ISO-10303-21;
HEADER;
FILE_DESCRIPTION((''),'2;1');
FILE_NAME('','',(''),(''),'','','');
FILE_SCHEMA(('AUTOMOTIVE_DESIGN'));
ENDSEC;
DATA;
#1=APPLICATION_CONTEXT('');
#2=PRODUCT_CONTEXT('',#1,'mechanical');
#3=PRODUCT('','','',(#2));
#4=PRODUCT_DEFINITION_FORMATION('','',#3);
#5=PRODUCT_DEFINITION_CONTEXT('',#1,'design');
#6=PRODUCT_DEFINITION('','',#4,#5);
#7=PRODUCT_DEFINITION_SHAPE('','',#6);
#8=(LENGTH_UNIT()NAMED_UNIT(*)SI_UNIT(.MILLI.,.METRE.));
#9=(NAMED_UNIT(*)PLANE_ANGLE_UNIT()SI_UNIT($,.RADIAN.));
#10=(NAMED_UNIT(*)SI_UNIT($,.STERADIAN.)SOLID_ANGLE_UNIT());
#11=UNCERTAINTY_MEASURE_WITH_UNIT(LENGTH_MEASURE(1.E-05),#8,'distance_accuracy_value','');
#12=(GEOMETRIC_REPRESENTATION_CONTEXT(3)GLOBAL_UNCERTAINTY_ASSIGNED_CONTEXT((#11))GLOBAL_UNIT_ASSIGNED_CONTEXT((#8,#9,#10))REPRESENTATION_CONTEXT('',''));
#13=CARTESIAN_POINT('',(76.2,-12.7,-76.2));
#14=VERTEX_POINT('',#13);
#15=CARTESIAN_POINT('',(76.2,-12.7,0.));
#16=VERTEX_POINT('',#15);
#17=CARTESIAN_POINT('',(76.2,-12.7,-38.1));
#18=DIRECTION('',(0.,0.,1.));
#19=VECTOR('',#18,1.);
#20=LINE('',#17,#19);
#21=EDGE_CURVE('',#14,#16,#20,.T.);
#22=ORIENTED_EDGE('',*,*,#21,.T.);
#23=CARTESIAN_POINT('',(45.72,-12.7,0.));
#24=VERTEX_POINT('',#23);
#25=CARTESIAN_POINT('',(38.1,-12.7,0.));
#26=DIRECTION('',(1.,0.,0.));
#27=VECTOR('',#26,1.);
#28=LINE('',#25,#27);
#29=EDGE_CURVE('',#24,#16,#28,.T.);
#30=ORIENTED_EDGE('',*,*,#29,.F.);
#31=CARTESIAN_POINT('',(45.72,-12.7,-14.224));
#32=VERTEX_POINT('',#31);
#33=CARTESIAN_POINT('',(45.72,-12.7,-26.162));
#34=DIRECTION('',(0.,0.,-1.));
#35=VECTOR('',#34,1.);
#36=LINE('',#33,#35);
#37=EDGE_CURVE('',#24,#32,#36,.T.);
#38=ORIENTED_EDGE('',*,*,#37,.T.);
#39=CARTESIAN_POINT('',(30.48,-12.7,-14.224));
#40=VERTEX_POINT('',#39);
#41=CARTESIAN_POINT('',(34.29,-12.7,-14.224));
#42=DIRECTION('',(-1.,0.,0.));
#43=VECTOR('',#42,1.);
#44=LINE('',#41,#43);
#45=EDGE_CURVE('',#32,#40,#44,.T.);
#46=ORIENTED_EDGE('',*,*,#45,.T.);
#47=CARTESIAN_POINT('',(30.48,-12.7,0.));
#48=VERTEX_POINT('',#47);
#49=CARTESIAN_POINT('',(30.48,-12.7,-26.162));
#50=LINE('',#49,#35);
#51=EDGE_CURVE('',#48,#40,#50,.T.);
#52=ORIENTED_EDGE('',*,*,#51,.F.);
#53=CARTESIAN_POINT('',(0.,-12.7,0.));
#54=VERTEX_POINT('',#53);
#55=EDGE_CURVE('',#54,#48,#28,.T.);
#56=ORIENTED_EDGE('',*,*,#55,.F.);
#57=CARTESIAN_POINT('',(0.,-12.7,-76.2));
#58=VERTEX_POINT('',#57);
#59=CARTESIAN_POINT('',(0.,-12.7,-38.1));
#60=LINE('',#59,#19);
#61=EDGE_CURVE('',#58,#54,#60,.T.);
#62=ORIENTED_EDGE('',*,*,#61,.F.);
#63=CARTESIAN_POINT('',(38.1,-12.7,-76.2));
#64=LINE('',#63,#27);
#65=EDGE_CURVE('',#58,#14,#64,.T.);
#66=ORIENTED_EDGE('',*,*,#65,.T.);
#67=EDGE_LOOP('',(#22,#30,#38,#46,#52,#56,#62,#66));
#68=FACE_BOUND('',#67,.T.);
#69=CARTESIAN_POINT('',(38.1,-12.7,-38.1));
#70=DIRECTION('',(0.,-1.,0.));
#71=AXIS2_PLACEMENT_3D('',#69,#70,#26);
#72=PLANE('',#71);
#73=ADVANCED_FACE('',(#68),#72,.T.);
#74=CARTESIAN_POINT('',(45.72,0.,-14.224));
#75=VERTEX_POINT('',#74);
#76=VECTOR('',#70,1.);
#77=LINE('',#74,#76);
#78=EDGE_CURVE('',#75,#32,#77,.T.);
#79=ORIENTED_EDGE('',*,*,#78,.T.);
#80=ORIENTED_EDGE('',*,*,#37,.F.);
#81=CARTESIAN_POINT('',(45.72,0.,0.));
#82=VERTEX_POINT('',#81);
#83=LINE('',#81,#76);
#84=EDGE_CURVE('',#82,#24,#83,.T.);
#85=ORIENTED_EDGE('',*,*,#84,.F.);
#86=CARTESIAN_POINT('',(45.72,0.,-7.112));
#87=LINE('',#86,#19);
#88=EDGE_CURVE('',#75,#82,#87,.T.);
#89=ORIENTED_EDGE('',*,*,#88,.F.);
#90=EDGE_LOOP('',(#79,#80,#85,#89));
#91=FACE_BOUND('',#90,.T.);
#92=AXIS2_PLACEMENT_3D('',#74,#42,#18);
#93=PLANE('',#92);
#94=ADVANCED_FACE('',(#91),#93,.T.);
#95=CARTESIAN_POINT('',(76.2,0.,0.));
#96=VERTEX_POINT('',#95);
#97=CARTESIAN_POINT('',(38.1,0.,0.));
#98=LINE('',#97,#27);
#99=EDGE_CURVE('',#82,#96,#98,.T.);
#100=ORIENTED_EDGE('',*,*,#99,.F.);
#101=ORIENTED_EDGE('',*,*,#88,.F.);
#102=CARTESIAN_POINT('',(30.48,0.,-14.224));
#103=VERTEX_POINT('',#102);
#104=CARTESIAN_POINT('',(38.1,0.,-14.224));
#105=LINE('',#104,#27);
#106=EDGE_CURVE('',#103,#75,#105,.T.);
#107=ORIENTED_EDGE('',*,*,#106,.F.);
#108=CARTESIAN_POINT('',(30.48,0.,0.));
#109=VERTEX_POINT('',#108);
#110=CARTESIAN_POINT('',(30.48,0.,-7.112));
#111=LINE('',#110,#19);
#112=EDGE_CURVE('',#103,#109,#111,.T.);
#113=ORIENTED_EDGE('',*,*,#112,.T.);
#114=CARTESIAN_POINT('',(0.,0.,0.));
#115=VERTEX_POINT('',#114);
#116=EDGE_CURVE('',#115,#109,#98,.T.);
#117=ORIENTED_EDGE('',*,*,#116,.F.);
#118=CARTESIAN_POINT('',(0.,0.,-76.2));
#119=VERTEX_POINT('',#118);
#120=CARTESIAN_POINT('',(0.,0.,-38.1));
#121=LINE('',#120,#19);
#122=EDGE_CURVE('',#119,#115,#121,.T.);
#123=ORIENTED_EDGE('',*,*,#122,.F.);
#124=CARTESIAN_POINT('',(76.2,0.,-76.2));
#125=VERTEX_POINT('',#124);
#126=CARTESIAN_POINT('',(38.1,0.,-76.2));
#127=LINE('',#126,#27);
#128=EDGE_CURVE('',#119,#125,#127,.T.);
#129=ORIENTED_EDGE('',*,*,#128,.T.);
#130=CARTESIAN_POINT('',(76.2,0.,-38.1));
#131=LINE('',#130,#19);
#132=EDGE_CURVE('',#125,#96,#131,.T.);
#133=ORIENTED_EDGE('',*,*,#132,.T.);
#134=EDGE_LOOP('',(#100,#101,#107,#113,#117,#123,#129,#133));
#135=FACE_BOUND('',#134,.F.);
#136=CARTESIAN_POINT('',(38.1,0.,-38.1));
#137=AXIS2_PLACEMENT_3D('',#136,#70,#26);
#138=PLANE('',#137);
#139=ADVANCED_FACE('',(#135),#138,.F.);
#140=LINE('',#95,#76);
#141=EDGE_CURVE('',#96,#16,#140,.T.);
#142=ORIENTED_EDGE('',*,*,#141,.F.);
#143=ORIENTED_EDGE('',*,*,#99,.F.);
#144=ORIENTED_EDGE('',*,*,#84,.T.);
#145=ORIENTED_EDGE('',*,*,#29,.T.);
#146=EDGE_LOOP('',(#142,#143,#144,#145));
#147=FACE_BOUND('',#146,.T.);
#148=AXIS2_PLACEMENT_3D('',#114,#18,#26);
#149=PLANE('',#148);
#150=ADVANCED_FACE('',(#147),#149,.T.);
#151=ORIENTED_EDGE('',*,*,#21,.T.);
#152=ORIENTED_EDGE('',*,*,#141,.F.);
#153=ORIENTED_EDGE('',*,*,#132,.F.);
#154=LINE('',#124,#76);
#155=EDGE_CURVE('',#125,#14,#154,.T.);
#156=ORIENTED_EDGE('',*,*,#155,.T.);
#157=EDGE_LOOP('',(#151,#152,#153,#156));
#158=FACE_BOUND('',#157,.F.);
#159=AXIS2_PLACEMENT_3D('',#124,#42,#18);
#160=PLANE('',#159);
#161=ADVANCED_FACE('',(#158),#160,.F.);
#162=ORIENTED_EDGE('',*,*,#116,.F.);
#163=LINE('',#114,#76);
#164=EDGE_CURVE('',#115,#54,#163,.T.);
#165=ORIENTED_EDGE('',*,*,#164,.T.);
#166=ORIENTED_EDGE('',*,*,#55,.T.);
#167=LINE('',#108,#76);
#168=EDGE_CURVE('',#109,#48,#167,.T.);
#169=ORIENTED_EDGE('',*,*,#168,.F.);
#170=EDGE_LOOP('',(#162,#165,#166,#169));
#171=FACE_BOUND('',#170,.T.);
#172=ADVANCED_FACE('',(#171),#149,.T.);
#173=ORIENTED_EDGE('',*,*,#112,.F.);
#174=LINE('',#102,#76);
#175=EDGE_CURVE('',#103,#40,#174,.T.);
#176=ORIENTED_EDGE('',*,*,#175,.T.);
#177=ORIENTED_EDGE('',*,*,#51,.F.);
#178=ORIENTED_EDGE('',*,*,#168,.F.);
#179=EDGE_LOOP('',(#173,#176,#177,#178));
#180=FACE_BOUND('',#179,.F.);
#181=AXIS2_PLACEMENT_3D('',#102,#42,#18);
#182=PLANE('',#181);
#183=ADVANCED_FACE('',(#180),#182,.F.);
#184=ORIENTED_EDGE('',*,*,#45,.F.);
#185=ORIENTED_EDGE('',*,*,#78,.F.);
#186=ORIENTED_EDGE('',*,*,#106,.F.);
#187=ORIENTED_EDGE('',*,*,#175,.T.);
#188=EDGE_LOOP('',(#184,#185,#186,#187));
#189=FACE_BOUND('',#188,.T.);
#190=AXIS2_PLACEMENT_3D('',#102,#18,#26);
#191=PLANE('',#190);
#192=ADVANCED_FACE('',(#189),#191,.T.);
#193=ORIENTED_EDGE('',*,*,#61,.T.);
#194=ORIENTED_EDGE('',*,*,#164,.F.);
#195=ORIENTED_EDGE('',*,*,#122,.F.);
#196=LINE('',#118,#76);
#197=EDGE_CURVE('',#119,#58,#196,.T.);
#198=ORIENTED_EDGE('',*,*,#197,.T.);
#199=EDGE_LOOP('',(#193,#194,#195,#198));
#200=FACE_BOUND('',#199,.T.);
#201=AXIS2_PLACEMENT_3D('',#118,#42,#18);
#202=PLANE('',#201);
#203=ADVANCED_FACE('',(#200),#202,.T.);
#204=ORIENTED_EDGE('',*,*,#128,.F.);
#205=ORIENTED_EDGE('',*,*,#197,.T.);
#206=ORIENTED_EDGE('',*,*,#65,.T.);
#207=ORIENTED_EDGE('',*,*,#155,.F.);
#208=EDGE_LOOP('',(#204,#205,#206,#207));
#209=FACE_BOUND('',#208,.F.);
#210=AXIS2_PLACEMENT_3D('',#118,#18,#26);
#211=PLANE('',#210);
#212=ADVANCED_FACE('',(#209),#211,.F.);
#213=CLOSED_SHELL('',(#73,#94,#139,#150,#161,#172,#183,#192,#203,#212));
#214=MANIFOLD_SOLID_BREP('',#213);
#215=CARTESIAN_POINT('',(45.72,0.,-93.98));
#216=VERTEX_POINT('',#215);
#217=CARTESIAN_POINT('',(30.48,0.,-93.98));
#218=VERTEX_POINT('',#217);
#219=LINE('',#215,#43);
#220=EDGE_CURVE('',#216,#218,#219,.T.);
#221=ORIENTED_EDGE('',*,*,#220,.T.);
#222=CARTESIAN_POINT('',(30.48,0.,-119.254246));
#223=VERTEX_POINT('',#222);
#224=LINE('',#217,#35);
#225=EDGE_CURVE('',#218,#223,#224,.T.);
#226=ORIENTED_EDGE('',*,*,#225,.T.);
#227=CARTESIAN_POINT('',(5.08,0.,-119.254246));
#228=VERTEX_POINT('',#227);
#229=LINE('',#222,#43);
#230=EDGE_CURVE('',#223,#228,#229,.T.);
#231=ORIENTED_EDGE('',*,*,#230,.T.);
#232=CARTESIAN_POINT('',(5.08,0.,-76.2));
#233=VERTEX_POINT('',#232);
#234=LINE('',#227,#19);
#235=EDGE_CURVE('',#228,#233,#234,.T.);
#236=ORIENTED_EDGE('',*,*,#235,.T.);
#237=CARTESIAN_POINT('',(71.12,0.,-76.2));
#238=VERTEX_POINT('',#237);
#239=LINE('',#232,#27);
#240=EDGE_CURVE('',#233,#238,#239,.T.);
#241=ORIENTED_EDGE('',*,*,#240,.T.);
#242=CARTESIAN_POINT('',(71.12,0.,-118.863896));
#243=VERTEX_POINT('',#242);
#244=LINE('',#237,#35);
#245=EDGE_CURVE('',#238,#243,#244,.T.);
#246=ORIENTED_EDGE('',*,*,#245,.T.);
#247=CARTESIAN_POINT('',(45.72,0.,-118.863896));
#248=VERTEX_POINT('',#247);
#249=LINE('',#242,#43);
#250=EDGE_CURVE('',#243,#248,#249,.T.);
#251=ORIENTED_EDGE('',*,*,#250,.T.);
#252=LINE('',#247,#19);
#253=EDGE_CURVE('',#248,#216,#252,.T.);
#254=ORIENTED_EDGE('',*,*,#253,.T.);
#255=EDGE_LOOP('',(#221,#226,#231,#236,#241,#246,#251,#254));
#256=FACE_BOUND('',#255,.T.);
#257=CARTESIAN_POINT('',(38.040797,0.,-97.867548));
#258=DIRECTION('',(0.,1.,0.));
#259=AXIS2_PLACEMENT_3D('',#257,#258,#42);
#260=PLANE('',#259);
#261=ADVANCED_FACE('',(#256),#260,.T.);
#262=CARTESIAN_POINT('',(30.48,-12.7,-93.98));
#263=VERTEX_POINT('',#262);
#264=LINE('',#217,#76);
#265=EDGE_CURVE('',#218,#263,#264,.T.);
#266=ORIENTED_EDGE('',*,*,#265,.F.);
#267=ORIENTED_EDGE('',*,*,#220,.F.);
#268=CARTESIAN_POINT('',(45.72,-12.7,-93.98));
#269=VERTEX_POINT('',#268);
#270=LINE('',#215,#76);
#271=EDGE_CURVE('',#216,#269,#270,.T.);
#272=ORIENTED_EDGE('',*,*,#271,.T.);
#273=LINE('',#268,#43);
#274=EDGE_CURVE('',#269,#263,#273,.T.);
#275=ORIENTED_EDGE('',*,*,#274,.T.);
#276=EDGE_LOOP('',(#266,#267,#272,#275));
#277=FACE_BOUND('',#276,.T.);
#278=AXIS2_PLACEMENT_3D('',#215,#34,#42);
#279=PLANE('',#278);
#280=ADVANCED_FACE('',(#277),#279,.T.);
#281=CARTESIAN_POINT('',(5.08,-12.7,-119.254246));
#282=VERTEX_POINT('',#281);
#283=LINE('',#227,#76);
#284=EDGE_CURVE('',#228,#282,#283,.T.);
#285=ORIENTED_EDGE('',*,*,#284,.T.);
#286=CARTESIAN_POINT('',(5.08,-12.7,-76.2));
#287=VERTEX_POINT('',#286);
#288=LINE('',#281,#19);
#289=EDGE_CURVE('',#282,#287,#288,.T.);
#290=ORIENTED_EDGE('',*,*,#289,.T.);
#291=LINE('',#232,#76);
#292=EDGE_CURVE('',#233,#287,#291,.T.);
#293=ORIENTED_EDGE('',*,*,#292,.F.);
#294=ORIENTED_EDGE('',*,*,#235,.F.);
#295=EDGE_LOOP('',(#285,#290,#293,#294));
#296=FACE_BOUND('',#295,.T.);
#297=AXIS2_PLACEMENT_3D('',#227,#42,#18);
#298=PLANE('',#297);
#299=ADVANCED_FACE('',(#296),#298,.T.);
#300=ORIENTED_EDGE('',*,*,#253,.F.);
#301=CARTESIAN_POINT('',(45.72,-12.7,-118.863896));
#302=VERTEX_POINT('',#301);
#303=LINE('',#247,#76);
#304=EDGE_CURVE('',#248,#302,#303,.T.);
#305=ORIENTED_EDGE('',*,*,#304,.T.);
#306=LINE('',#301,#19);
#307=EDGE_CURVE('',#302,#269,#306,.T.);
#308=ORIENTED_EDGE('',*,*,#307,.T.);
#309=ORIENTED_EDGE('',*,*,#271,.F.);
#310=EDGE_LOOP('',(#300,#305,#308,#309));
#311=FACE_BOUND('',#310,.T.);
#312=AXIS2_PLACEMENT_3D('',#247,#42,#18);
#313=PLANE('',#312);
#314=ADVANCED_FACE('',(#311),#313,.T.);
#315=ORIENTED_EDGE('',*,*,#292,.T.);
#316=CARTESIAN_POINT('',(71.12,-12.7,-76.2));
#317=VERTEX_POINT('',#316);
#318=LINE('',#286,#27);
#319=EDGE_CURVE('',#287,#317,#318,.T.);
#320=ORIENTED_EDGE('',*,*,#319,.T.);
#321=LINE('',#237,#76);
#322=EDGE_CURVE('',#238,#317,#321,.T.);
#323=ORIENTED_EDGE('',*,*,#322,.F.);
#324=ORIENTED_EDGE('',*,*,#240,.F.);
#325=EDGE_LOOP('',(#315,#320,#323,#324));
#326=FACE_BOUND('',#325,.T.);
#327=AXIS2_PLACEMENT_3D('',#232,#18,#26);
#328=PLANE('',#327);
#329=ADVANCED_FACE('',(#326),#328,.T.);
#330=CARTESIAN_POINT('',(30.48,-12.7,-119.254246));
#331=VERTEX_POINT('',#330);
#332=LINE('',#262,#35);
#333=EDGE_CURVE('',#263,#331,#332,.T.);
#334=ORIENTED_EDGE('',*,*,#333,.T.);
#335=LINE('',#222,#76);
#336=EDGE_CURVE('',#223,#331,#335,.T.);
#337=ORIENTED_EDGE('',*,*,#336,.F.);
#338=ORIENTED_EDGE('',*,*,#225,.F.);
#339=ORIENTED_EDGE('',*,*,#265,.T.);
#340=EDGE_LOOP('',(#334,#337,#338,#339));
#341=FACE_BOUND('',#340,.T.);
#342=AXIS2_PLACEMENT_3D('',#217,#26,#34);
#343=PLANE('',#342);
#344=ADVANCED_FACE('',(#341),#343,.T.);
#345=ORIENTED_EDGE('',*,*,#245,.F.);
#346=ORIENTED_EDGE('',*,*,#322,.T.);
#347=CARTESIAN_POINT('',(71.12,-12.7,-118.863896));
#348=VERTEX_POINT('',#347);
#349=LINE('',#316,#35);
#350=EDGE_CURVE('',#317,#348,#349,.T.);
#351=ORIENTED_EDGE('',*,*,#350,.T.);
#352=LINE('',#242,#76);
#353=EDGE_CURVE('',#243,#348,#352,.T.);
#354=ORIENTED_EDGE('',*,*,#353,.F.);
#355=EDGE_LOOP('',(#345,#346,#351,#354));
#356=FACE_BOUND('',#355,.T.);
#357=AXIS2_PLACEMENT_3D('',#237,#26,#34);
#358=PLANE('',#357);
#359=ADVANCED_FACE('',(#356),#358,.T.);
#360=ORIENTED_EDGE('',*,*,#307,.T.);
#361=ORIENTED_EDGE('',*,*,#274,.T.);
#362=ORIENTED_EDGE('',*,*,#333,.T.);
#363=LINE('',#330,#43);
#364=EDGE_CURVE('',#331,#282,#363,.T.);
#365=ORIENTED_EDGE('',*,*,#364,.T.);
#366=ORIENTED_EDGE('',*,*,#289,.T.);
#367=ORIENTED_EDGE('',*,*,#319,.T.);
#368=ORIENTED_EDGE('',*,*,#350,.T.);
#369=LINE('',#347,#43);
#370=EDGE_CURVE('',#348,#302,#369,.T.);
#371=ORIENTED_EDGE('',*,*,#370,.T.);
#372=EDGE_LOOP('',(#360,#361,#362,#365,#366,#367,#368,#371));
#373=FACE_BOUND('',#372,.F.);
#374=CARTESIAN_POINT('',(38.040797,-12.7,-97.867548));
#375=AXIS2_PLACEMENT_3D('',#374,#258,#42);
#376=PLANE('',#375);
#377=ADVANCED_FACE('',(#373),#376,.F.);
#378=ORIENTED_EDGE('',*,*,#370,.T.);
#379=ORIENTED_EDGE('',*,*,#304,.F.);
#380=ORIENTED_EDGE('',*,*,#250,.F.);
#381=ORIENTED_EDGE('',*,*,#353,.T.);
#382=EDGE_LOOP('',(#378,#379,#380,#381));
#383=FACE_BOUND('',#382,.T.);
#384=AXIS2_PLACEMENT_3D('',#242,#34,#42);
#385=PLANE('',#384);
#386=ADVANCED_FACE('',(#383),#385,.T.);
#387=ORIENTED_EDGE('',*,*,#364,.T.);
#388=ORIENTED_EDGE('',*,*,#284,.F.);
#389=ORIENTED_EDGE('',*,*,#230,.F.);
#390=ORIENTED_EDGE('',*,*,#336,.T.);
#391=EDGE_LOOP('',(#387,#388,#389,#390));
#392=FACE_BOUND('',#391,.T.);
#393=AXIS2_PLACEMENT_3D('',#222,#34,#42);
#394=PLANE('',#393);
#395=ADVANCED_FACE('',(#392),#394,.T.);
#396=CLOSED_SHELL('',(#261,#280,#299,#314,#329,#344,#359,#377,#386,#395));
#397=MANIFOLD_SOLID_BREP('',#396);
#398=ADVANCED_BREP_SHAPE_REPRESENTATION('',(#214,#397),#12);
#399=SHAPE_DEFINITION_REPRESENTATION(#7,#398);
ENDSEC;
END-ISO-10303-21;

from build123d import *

# Parameters (mm, degrees)
F0_W     = 76.2
F0_H     = 76.2
F1_DEPTH = 12.7
F2_W     = 15.24
F2_H     = 14.224
F3_DEPTH = 25.4
F5_DEPTH = 12.7


with BuildPart() as f1:
    # F0 (on Front) → F1 (new body)
    with BuildSketch(Plane.XZ):
        with Locations((38.1, -38.1)):
            Rectangle(F0_W, F0_H)
    extrude(amount=F1_DEPTH)

    # F2 (on Front) → F3 (cut)
    with BuildSketch(Plane.XZ):
        with Locations((38.1, -7.112)):
            Rectangle(F2_W, F2_H)
    extrude(amount=F3_DEPTH, mode=Mode.SUBTRACT)


with BuildPart() as f5:
    # F4 (on face) → F5 (new body)
    with BuildSketch(Plane(origin=(0, 0, 0), x_dir=(-1, 0, 0), z_dir=(0, 1, 0))):
        Polygon((-5.08, -76.2), (-71.12, -76.2), (-71.12, -118.863896), (-45.72, -118.863896), (-45.72, -93.98), (-30.48, -93.98), (-30.48, -119.254246), (-5.08, -119.254246), align=None)
    extrude(amount=-F5_DEPTH)


solid = Compound([f1.part, f5.part])
